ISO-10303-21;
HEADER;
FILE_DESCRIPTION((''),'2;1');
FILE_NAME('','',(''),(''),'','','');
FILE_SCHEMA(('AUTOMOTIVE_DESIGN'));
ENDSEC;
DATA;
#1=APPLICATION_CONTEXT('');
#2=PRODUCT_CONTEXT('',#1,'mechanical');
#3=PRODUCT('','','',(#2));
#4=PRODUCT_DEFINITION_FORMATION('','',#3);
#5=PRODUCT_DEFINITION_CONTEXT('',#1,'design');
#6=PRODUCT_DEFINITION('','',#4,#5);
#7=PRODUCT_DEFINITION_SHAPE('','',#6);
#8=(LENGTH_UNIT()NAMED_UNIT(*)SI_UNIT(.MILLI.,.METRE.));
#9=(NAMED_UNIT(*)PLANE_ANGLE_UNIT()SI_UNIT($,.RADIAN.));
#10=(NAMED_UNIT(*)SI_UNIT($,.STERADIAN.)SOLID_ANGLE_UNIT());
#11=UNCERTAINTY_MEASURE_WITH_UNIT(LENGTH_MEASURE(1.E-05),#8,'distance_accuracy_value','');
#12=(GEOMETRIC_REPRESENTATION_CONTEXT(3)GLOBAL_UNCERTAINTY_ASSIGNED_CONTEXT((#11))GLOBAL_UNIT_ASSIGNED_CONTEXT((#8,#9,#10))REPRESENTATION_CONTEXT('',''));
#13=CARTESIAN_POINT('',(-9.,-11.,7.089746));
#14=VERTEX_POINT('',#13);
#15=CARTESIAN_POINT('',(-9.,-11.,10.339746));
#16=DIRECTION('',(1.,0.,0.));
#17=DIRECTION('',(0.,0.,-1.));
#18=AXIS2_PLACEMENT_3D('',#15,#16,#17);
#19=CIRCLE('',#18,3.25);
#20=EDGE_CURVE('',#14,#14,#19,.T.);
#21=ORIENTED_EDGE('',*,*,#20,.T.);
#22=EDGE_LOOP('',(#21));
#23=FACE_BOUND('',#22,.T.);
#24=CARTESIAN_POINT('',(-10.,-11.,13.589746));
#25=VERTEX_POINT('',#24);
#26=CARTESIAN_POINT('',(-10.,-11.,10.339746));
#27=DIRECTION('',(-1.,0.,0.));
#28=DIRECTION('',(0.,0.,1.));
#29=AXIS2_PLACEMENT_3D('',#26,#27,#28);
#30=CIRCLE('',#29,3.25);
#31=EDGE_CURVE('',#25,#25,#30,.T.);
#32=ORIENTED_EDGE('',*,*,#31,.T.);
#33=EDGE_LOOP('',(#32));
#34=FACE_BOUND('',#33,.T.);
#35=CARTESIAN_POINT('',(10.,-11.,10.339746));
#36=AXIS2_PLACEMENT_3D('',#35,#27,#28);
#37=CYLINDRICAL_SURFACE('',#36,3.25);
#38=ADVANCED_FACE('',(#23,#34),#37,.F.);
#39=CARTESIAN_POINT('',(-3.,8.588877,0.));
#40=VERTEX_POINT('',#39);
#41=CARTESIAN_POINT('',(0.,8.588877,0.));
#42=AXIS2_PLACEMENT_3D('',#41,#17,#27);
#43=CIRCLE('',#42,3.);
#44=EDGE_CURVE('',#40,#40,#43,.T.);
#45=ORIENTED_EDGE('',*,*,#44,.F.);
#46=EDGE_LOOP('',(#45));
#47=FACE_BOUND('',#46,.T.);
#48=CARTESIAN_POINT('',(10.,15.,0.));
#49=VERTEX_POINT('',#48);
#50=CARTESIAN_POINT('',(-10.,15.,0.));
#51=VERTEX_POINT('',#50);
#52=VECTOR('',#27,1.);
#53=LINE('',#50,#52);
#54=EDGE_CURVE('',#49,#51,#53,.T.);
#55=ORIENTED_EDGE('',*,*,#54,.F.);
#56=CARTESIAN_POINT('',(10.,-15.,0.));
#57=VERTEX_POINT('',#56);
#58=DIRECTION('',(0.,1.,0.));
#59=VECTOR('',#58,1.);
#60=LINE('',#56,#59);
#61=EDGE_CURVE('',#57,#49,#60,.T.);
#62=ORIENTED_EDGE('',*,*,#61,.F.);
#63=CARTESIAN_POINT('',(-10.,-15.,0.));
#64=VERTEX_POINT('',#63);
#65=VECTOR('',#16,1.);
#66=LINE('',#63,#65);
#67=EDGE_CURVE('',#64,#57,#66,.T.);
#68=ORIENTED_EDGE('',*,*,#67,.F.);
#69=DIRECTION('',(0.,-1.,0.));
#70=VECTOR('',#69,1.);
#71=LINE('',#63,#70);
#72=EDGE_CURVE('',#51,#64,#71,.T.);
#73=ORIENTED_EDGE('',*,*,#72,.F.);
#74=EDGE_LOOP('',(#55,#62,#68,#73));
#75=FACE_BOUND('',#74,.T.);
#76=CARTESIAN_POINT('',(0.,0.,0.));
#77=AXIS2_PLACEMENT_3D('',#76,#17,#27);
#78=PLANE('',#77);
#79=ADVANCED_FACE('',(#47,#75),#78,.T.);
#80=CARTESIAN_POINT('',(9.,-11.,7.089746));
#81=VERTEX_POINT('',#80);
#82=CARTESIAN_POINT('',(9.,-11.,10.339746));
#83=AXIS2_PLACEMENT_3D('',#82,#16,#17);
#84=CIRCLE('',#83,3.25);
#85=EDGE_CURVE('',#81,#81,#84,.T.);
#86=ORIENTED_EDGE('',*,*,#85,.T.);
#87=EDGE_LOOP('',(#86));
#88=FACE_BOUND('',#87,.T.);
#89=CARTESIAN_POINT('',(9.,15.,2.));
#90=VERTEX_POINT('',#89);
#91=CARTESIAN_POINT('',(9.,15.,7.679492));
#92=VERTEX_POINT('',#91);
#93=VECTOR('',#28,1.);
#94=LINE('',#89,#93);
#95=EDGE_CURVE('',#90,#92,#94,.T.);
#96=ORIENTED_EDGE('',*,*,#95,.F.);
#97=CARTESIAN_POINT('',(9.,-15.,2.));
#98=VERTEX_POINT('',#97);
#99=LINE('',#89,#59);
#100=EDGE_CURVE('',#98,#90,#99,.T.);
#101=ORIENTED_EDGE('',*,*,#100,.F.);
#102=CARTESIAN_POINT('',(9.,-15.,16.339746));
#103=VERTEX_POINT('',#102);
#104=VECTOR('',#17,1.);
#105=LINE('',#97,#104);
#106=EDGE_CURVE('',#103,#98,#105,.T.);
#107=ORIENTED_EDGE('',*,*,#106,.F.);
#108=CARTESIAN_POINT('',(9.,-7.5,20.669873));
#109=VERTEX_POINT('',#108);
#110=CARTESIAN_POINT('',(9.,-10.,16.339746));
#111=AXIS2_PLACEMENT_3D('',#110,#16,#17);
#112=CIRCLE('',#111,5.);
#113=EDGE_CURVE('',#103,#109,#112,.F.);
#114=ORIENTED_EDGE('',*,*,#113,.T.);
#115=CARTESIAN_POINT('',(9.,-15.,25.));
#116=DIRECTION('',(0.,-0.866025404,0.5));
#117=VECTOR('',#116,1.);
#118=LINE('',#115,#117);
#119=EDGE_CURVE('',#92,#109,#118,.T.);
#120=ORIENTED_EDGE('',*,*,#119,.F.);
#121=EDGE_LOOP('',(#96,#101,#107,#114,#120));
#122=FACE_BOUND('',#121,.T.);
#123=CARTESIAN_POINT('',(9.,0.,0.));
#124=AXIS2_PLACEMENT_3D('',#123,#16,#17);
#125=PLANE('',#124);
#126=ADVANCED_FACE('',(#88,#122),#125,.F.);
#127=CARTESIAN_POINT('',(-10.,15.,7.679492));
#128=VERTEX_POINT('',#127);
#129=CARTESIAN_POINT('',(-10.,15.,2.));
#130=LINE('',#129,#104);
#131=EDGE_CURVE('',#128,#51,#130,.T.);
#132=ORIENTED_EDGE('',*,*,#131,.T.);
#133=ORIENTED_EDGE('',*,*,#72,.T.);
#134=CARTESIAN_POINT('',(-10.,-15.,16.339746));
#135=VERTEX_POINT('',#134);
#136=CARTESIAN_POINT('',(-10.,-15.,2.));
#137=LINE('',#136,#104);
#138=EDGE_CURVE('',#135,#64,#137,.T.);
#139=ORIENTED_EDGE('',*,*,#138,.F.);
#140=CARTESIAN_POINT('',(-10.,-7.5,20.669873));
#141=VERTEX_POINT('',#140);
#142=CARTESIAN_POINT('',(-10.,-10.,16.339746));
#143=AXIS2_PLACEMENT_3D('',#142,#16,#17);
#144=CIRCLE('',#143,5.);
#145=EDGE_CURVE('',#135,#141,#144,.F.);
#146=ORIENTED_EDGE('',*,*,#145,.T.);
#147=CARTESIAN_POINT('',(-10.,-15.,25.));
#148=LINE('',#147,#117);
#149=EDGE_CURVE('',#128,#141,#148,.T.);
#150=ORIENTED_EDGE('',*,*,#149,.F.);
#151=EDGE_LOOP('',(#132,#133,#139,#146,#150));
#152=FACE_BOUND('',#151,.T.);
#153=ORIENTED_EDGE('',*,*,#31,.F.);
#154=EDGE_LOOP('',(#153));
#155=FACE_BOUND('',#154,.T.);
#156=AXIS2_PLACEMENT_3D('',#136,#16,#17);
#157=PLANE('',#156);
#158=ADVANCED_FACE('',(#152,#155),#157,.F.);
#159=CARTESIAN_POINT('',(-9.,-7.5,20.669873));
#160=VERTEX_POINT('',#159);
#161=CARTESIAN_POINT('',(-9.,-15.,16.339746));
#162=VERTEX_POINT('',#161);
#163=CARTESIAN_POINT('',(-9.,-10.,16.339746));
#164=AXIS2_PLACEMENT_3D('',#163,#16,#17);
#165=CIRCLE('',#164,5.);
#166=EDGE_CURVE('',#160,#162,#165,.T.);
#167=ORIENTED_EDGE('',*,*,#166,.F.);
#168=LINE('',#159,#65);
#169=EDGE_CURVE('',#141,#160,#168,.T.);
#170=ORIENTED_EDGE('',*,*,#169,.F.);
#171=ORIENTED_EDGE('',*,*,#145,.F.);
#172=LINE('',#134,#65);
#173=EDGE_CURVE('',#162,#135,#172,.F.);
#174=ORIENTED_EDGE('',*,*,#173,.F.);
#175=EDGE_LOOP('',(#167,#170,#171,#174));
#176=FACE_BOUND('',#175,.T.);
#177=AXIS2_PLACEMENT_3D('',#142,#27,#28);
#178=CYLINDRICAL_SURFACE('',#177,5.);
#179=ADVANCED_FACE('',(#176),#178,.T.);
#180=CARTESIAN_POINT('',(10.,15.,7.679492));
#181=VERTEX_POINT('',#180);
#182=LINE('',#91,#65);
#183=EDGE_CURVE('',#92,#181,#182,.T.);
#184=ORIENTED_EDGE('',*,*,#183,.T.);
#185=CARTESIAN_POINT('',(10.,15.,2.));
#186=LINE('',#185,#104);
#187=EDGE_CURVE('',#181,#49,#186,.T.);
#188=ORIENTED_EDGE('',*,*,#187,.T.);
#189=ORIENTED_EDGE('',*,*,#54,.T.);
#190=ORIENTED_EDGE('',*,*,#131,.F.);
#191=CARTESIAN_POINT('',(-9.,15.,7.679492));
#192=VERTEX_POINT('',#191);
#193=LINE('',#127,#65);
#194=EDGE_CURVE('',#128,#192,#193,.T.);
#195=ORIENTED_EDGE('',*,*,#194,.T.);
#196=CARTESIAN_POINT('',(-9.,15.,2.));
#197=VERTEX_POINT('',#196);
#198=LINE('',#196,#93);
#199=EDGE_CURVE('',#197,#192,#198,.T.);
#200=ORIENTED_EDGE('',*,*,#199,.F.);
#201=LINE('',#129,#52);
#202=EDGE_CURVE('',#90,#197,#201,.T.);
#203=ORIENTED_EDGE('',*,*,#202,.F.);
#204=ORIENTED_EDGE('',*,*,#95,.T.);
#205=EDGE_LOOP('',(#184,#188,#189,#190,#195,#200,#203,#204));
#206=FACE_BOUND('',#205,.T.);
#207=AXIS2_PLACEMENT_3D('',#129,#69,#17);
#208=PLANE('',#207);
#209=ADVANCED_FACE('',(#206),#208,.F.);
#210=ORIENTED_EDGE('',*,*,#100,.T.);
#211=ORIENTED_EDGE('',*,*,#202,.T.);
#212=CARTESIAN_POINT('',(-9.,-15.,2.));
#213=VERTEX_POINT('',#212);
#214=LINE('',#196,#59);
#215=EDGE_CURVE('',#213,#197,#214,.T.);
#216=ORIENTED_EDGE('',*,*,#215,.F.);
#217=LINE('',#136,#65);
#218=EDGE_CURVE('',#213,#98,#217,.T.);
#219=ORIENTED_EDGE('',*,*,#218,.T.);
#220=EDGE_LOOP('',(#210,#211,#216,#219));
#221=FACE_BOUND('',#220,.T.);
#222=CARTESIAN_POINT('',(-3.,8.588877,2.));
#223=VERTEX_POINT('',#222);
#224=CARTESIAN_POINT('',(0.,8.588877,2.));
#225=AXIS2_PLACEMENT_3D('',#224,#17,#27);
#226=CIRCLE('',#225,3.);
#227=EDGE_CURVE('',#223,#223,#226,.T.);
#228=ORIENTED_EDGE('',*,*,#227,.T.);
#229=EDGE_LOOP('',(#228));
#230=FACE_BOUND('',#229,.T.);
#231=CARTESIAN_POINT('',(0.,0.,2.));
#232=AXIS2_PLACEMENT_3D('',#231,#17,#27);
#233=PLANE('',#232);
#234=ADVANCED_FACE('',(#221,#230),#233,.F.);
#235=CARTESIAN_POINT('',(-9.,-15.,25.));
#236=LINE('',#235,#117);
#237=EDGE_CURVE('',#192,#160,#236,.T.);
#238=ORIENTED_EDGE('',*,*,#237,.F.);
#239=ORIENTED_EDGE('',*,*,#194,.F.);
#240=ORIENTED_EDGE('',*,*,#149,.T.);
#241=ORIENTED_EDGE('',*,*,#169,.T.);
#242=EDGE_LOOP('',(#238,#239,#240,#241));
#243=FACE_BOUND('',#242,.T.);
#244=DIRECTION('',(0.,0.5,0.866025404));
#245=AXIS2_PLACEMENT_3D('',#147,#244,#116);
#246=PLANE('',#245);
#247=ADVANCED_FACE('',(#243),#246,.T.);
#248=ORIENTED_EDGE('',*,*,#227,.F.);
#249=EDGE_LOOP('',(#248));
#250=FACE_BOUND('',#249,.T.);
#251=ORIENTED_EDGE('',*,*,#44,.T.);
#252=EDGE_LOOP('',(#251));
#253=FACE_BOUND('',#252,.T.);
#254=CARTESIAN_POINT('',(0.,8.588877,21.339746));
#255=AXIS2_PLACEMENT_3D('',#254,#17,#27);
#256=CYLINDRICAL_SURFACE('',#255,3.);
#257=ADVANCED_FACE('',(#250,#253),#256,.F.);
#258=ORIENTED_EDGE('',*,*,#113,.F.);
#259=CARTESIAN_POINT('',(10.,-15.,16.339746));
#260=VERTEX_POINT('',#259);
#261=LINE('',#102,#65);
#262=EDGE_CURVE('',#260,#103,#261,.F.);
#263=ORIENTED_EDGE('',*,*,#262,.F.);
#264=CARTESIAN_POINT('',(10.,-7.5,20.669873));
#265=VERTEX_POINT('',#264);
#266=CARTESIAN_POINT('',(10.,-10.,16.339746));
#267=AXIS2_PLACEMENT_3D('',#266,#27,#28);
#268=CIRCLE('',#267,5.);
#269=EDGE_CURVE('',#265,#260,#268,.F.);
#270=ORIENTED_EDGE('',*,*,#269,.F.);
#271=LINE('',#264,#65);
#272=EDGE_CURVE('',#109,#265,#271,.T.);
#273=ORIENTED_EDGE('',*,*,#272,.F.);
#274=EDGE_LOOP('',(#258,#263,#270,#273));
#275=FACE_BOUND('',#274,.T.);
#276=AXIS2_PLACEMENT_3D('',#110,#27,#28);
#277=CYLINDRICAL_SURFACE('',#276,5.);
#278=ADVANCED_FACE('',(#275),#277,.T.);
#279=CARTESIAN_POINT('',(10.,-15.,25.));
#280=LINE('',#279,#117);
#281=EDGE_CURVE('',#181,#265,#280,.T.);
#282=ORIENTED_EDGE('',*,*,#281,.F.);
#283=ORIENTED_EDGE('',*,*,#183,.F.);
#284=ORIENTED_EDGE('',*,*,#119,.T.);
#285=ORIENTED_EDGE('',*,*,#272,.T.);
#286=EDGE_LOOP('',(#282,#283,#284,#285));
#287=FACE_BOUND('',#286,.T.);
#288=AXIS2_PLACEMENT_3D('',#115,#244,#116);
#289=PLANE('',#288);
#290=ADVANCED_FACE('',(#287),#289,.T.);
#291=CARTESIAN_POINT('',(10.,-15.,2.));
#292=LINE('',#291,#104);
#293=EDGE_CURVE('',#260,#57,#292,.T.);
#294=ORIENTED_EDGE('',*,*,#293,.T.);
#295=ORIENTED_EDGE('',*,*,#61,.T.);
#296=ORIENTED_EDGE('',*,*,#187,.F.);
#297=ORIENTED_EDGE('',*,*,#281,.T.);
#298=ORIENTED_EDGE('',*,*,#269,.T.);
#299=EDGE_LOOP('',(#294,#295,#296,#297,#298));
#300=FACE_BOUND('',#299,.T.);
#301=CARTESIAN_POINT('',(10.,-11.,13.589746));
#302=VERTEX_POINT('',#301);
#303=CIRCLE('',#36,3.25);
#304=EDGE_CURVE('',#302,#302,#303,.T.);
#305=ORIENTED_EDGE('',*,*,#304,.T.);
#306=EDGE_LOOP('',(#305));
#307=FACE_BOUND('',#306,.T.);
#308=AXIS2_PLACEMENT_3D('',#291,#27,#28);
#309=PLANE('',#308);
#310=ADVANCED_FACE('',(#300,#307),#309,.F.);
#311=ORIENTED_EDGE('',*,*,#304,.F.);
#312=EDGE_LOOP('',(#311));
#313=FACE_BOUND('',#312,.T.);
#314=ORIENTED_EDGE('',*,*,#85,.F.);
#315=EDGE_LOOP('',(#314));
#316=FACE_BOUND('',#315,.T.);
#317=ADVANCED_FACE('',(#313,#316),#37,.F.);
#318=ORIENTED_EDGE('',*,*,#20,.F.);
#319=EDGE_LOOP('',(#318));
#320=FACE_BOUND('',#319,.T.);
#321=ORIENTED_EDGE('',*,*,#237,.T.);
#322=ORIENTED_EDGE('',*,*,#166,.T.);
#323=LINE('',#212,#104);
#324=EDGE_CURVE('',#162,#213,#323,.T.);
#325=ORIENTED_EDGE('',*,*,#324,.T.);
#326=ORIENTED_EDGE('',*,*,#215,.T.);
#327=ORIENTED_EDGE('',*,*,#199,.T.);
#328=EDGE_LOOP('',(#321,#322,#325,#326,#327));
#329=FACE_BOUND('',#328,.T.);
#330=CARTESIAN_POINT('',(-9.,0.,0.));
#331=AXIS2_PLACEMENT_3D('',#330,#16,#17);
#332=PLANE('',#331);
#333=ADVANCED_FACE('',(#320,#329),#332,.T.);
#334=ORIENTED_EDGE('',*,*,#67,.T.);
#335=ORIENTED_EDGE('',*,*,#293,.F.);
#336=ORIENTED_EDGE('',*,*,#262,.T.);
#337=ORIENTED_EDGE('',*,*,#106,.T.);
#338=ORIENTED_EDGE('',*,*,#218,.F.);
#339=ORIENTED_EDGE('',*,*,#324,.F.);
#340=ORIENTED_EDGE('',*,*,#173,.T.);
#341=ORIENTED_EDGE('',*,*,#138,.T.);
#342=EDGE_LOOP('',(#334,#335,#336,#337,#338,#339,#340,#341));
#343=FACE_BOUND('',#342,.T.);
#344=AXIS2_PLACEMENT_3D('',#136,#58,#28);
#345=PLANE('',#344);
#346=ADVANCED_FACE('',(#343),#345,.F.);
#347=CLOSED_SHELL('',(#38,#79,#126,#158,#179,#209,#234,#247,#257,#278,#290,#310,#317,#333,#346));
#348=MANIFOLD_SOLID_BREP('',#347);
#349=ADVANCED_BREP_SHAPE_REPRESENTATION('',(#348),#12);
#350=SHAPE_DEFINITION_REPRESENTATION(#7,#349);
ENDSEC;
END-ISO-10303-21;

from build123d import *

# Parameters (mm, degrees)
SKETCH1_W           = 20
SKETCH1_H           = 30
BOSS_EXTRUDE1_DEPTH = 2
BOSS_EXTRUDE2_DEPTH = 1
LPATTERN1_COUNT     = 2
LPATTERN1_PITCH     = 19
FILLET1_R           = 5
FILLET2_R           = 5
SKETCH3_R           = 3.25
CUT_EXTRUDE1_DEPTH  = 33.869206831
SKETCH4_R           = 3
CUT_EXTRUDE2_DEPTH  = 28.935367507


with BuildPart() as part:
    # Sketch1 → Boss-Extrude1 (new body)
    with BuildSketch(Plane.XY):
        Rectangle(SKETCH1_W, SKETCH1_H)
    extrude(amount=BOSS_EXTRUDE1_DEPTH)

    # Sketch2 → Boss-Extrude2 (add)
    with BuildSketch(Plane(origin=(10, 0, 0), x_dir=(0, 0, -1), z_dir=(1, 0, 0))):
        Polygon((-2, 15), (-7.679491924, 15), (-25, -15), (-2, -15), align=None)
    boss_extrude2 = extrude(amount=-BOSS_EXTRUDE2_DEPTH)

    # LPattern1: Boss-Extrude2 ×2
    with Locations(*[(-i * LPATTERN1_PITCH, 0, 0) for i in range(1, LPATTERN1_COUNT)]):
        add(boss_extrude2)

    # Fillet1
    fillet1_edges = [part.edges().sort_by_distance(p)[0] for p in [
        (-9.5, -15, 25),
    ]]
    fillet(fillet1_edges, radius=FILLET1_R)

    # Fillet2
    fillet2_edges = [part.edges().sort_by_distance(p)[0] for p in [
        (9.5, -15, 25),
    ]]
    fillet(fillet2_edges, radius=FILLET2_R)

    # Sketch3 → Cut-Extrude1 (cut, through all)
    with BuildSketch(Plane.ZY.offset(10)):
        with Locations((10.339745962, -11)):
            Circle(SKETCH3_R)
    extrude(amount=-CUT_EXTRUDE1_DEPTH, mode=Mode.SUBTRACT)

    # Sketch4 → Cut-Extrude2 (cut, through all)
    with BuildSketch(Plane(origin=(0, 0, 0), x_dir=(-1, 0, 0), z_dir=(0, 0, -1))):
        with Locations((0, 8.588876522)):
            Circle(SKETCH4_R)
    extrude(amount=-CUT_EXTRUDE2_DEPTH, mode=Mode.SUBTRACT)


solid = part.part
